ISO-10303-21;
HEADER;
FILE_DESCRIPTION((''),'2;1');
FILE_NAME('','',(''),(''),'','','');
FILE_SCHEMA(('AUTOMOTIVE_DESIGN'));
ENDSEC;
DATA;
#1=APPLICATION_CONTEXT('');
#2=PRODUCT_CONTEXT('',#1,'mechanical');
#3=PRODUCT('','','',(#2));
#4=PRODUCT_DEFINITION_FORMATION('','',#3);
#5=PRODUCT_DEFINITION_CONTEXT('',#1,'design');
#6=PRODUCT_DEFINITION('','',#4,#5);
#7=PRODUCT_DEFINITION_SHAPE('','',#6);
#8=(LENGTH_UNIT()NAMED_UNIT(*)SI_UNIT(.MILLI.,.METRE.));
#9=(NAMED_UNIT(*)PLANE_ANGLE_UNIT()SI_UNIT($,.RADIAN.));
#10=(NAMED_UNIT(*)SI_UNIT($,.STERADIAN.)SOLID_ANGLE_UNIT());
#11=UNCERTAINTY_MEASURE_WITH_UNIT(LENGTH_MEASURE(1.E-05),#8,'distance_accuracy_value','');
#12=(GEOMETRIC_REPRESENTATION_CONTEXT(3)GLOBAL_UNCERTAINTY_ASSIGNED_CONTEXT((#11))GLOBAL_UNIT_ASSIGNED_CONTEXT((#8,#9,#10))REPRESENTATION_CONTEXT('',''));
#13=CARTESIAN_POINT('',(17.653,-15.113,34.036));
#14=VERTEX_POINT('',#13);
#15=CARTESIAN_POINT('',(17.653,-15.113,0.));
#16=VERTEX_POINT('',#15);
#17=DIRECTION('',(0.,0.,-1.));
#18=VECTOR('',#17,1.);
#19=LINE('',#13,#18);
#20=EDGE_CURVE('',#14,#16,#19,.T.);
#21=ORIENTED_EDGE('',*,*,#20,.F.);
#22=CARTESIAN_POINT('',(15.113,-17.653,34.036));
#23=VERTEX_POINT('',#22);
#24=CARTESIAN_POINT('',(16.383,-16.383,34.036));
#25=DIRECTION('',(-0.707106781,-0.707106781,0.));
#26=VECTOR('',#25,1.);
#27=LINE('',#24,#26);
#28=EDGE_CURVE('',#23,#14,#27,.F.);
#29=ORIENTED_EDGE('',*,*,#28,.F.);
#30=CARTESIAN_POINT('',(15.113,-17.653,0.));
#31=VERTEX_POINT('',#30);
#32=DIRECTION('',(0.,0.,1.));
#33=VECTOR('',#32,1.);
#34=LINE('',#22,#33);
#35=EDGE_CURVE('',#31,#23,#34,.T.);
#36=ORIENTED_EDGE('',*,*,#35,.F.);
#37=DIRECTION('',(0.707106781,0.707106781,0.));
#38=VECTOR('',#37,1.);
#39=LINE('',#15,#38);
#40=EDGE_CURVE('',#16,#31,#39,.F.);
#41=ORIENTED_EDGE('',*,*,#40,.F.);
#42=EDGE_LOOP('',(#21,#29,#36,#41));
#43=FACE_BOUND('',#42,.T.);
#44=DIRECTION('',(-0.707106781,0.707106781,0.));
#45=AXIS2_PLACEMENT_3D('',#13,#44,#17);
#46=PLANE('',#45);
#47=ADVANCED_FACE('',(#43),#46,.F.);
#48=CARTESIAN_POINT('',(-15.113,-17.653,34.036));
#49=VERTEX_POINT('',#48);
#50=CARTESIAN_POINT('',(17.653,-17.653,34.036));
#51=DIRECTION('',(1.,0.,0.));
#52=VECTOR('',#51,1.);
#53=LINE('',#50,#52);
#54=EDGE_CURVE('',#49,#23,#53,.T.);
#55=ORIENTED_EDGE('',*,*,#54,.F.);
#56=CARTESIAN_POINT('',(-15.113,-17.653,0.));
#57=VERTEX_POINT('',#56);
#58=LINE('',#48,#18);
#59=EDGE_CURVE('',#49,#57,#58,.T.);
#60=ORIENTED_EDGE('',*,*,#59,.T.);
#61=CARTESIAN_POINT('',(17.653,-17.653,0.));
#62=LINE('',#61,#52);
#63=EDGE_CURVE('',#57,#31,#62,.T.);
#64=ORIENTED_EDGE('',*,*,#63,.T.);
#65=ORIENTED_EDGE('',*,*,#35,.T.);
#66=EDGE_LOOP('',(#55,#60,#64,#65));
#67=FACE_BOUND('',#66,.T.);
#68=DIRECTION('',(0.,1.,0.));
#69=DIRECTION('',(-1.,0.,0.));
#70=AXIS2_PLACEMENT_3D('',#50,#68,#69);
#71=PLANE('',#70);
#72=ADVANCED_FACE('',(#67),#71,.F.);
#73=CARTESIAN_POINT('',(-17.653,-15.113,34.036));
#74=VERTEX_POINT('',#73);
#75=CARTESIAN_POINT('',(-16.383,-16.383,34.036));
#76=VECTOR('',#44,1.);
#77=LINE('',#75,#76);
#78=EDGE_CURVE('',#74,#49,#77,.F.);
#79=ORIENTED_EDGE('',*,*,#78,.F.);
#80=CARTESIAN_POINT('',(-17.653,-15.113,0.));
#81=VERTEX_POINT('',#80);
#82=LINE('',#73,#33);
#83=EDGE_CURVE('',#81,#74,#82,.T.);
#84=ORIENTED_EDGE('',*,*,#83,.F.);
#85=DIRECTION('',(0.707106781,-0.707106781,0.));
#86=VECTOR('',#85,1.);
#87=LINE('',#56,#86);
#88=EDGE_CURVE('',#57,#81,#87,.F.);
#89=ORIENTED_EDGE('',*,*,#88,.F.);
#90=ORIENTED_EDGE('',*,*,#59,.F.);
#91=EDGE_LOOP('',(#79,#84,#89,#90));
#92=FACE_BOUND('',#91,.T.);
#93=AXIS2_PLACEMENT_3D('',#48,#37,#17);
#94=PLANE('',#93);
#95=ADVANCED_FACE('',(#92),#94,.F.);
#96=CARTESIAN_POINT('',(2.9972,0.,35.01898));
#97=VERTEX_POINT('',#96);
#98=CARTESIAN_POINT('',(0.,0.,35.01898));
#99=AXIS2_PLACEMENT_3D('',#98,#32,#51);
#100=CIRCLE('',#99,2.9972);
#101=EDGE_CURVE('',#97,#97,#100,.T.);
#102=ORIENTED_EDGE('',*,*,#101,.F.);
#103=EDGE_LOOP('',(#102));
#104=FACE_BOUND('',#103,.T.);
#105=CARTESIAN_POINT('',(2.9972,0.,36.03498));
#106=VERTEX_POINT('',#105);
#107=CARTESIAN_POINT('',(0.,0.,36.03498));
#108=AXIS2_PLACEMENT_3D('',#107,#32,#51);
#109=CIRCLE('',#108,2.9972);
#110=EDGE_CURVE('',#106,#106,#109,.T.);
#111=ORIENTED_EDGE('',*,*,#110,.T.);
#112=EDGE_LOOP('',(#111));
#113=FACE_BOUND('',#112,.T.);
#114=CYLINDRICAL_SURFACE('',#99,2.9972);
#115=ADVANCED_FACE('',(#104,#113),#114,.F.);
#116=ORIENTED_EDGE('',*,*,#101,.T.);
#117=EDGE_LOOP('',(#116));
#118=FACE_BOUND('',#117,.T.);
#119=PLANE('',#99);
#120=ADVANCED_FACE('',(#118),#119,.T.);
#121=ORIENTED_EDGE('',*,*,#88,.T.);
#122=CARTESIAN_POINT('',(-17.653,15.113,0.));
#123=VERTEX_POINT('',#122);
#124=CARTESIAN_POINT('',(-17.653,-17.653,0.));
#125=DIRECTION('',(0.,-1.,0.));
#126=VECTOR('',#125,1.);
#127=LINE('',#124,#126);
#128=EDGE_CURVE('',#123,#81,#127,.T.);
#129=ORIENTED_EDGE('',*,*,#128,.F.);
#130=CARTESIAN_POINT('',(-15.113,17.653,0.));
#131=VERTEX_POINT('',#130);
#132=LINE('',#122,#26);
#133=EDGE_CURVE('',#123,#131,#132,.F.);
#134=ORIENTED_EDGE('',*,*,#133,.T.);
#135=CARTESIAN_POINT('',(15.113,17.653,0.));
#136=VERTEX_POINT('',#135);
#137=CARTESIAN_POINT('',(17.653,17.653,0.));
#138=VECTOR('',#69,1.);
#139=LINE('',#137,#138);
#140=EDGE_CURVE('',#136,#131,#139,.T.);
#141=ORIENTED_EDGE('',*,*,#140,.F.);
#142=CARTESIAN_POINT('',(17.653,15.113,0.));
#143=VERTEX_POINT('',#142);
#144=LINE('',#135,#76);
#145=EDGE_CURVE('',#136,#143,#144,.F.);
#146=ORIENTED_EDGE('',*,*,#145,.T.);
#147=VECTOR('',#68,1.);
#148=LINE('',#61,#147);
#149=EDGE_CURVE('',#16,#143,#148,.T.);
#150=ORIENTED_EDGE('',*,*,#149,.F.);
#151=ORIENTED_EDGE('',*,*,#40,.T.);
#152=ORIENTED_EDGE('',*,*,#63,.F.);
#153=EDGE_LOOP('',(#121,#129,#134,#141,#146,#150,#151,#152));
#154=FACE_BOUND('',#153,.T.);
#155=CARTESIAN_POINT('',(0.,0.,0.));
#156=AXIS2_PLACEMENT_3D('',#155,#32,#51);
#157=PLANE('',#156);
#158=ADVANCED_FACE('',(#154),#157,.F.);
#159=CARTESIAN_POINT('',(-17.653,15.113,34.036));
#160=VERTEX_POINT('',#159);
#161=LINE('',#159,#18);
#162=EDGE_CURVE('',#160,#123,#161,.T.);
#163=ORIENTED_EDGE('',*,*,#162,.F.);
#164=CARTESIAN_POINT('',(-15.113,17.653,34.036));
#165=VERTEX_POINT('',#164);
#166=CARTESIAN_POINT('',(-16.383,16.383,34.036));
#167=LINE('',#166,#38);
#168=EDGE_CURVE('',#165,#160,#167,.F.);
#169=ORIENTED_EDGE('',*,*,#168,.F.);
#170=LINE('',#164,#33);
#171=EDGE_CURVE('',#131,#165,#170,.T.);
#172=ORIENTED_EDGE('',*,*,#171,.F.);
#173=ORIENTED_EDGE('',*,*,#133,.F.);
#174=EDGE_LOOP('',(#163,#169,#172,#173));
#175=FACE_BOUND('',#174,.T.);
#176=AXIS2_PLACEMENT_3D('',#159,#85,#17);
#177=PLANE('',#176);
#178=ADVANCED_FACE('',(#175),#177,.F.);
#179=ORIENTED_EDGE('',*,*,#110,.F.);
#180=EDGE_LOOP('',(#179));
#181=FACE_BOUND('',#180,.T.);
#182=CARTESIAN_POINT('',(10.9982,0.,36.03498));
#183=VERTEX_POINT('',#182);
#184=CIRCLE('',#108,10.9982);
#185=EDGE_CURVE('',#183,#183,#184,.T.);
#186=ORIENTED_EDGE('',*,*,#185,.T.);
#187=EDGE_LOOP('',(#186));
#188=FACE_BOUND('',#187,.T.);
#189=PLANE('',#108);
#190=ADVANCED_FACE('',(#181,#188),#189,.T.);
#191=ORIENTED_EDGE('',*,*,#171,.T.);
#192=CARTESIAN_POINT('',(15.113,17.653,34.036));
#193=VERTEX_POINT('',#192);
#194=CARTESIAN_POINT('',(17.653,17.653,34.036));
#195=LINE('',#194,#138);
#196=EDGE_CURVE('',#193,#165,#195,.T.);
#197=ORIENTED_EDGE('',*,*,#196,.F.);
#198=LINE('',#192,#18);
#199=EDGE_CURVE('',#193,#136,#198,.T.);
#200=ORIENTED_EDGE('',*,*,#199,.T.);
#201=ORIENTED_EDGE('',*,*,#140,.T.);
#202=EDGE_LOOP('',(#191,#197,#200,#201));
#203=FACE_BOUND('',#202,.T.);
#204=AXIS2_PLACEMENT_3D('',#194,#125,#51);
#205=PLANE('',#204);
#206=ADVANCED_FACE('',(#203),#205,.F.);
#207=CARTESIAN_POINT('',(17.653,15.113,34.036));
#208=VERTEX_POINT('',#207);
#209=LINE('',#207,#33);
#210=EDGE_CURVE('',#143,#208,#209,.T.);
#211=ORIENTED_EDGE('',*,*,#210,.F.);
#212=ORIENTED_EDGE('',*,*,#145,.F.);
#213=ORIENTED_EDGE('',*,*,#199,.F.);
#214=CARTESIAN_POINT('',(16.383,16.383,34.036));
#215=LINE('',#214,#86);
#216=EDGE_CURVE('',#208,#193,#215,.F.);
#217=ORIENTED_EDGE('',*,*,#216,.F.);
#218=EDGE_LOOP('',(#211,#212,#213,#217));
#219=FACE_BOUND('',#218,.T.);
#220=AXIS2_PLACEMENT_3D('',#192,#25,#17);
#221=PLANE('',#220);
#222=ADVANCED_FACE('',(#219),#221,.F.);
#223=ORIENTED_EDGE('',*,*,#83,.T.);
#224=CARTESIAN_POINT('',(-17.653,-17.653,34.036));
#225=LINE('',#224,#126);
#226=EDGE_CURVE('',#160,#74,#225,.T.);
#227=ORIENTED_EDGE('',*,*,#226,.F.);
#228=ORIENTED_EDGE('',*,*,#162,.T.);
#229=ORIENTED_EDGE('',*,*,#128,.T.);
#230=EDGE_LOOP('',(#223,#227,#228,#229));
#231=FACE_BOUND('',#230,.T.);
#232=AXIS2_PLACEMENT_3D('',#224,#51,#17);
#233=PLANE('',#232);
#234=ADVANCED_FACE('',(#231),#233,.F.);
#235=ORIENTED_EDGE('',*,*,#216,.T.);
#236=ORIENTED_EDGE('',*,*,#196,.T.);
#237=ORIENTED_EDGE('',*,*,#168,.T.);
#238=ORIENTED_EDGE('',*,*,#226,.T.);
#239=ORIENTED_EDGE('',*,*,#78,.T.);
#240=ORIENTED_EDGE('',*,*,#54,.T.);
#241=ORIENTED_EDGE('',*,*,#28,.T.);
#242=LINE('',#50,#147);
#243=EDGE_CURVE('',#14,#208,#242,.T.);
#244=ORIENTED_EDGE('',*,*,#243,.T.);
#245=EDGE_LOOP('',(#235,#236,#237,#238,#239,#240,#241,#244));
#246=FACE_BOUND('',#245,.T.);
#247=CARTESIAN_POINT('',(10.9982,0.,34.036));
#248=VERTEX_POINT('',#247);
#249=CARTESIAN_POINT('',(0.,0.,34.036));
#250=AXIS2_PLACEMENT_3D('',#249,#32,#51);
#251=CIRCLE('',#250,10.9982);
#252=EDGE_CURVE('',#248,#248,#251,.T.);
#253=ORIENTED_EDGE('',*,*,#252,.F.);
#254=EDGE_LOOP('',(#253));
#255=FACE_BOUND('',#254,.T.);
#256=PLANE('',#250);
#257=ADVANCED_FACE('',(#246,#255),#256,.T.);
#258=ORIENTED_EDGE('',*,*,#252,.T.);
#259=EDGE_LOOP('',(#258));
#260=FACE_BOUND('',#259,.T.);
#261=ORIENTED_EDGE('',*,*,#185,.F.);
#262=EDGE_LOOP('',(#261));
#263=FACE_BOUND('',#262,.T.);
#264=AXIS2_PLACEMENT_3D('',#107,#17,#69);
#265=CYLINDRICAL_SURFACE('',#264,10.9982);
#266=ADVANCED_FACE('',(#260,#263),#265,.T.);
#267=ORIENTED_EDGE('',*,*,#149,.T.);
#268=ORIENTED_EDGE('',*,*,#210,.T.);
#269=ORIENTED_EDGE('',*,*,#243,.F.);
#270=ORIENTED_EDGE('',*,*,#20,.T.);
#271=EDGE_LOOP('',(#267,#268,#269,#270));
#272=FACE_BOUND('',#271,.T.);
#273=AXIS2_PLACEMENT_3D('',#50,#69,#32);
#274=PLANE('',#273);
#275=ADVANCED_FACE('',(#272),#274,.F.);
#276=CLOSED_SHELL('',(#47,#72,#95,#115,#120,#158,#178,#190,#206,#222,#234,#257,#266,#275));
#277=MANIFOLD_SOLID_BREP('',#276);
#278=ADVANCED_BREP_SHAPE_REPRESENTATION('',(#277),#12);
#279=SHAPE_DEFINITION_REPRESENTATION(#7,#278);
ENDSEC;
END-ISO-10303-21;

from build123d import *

# Parameters (mm, degrees)
SKETCH1_W           = 35.306
SKETCH1_H           = 35.306
BOSS_EXTRUDE1_DEPTH = 34.036
SKETCH2_R           = 10.9982
BOSS_EXTRUDE2_DEPTH = 1.99898
SKETCH3_R           = 2.9972
CUT_EXTRUDE1_DEPTH  = 1.016
CHAMFER1_SIZE       = 2.54


with BuildPart() as part:
    # Sketch1 → Boss-Extrude1 (new body)
    with BuildSketch(Plane.XY):
        Rectangle(SKETCH1_W, SKETCH1_H)
    extrude(amount=BOSS_EXTRUDE1_DEPTH)

    # Sketch2 → Boss-Extrude2 (add)
    with BuildSketch(Plane.XY.offset(34.036)):
        Circle(SKETCH2_R)
    extrude(amount=BOSS_EXTRUDE2_DEPTH)

    # Sketch3 → Cut-Extrude1 (cut)
    with BuildSketch(Plane.XY.offset(36.03498)):
        Circle(SKETCH3_R)
    extrude(amount=-CUT_EXTRUDE1_DEPTH, mode=Mode.SUBTRACT)

    # Chamfer1
    chamfer1_edges = [part.edges().sort_by_distance(p)[0] for p in [
        (-17.653, 17.653, 17.018),
        (17.653, 17.653, 17.018),
        (17.653, -17.653, 17.018),
        (-17.653, -17.653, 17.018),
    ]]
    chamfer(chamfer1_edges, length=CHAMFER1_SIZE)


solid = part.part
